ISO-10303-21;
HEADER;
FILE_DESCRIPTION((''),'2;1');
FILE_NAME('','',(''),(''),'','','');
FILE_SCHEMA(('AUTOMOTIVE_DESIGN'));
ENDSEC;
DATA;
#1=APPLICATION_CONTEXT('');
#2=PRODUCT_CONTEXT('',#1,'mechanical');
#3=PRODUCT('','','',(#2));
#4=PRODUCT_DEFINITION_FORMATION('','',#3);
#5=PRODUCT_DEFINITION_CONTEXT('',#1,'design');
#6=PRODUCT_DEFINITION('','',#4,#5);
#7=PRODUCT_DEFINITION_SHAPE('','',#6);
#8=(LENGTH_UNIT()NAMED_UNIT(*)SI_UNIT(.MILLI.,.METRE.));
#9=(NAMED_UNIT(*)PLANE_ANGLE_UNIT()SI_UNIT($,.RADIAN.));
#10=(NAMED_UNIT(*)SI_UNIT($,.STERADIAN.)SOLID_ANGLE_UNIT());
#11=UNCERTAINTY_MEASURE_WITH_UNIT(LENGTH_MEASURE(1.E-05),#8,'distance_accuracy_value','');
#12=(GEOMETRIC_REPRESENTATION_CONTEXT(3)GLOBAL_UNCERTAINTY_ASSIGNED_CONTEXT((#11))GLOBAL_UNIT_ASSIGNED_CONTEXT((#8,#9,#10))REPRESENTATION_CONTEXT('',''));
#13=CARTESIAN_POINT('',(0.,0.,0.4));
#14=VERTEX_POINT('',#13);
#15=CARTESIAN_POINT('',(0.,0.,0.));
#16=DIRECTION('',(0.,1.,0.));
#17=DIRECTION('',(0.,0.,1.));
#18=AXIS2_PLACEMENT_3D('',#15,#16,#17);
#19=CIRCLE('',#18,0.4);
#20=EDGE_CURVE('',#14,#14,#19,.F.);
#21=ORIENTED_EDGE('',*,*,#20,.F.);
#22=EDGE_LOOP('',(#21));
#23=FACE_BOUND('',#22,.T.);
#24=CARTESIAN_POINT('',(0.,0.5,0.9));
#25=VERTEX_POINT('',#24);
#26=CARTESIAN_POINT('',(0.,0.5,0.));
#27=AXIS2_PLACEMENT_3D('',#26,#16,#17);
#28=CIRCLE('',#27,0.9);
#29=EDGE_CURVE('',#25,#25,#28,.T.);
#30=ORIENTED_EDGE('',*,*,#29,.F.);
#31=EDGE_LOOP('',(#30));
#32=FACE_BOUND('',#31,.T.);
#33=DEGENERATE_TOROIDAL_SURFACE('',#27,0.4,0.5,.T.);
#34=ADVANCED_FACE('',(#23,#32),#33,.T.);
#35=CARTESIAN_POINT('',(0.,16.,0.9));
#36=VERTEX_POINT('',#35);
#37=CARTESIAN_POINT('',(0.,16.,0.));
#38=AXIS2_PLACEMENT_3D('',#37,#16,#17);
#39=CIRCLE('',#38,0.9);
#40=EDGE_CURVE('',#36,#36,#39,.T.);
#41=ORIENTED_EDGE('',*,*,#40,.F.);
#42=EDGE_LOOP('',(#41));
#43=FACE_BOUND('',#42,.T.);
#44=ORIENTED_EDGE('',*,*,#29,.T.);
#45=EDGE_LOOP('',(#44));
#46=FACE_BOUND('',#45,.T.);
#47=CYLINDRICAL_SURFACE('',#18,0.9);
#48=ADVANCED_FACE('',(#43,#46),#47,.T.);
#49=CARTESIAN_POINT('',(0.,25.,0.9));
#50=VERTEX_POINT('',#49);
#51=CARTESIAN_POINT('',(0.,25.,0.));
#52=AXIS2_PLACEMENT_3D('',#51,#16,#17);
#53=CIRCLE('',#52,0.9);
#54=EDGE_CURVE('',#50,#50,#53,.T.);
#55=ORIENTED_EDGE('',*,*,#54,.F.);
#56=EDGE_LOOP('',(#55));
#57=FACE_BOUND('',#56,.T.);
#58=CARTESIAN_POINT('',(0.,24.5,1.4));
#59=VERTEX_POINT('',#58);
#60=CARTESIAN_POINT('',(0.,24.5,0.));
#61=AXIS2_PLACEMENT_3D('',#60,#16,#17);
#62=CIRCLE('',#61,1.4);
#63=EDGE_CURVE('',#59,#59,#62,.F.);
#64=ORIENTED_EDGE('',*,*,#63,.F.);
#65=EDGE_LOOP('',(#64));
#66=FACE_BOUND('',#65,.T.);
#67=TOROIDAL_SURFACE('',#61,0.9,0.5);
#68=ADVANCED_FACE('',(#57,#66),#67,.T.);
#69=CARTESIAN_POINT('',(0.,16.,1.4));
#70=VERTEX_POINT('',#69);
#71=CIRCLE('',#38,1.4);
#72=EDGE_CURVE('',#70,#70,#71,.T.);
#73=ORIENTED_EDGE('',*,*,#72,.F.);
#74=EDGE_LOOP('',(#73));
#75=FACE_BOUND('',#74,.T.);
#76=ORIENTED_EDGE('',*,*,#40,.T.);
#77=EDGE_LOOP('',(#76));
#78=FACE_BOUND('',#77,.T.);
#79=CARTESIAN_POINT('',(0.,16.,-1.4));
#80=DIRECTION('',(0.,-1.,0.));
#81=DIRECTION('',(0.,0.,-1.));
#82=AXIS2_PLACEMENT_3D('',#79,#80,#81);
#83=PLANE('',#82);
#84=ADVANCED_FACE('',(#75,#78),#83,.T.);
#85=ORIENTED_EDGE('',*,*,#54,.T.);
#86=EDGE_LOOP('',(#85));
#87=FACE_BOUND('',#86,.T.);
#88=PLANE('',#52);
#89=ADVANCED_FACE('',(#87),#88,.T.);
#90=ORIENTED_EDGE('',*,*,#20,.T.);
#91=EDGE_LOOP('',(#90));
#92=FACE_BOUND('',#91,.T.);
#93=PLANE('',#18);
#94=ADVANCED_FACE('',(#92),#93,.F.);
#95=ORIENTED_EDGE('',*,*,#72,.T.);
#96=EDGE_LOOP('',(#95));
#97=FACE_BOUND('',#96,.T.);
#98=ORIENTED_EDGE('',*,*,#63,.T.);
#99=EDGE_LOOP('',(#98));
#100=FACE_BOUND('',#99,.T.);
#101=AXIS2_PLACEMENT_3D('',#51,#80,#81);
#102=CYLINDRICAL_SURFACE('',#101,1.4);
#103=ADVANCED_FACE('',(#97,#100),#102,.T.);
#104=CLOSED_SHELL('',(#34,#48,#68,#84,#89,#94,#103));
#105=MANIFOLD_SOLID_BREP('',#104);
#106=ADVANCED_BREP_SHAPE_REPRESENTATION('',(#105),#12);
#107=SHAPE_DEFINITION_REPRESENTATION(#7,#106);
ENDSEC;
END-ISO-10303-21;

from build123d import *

# Parameters (mm, degrees)
SKETCH_1_R      = 1.4
EXTRUDE_1_DEPTH = 25
SKETCH_2_W      = 0.5
SKETCH_2_H      = 16
FILLET_1_R      = 0.5


with BuildPart() as part:
    # 草图1 → 凸台-拉伸1 (new body)
    with BuildSketch(Plane(origin=(0, 0, 0), x_dir=(1, 0, 0), z_dir=(0, 1, 0))):
        Circle(SKETCH_1_R)
    extrude(amount=EXTRUDE_1_DEPTH)

    # 草图2 → 切除-旋转1 (revolve, cut)
    with BuildSketch(Plane(origin=(0, 0, 0), x_dir=(0, 0, -1), z_dir=(1, 0, 0))):
        with Locations((1.15, 8)):
            Rectangle(SKETCH_2_W, SKETCH_2_H)
    revolve(axis=Axis((0, 0, 0), (0, -1, 0)), mode=Mode.SUBTRACT)

    # 圆角1
    fillet_1_edges = [part.edges().sort_by_distance(p)[0] for p in [
        (-1.4, 25, 0),
        (0, 0, 0.9),
    ]]
    fillet(fillet_1_edges, radius=FILLET_1_R)


solid = part.part
